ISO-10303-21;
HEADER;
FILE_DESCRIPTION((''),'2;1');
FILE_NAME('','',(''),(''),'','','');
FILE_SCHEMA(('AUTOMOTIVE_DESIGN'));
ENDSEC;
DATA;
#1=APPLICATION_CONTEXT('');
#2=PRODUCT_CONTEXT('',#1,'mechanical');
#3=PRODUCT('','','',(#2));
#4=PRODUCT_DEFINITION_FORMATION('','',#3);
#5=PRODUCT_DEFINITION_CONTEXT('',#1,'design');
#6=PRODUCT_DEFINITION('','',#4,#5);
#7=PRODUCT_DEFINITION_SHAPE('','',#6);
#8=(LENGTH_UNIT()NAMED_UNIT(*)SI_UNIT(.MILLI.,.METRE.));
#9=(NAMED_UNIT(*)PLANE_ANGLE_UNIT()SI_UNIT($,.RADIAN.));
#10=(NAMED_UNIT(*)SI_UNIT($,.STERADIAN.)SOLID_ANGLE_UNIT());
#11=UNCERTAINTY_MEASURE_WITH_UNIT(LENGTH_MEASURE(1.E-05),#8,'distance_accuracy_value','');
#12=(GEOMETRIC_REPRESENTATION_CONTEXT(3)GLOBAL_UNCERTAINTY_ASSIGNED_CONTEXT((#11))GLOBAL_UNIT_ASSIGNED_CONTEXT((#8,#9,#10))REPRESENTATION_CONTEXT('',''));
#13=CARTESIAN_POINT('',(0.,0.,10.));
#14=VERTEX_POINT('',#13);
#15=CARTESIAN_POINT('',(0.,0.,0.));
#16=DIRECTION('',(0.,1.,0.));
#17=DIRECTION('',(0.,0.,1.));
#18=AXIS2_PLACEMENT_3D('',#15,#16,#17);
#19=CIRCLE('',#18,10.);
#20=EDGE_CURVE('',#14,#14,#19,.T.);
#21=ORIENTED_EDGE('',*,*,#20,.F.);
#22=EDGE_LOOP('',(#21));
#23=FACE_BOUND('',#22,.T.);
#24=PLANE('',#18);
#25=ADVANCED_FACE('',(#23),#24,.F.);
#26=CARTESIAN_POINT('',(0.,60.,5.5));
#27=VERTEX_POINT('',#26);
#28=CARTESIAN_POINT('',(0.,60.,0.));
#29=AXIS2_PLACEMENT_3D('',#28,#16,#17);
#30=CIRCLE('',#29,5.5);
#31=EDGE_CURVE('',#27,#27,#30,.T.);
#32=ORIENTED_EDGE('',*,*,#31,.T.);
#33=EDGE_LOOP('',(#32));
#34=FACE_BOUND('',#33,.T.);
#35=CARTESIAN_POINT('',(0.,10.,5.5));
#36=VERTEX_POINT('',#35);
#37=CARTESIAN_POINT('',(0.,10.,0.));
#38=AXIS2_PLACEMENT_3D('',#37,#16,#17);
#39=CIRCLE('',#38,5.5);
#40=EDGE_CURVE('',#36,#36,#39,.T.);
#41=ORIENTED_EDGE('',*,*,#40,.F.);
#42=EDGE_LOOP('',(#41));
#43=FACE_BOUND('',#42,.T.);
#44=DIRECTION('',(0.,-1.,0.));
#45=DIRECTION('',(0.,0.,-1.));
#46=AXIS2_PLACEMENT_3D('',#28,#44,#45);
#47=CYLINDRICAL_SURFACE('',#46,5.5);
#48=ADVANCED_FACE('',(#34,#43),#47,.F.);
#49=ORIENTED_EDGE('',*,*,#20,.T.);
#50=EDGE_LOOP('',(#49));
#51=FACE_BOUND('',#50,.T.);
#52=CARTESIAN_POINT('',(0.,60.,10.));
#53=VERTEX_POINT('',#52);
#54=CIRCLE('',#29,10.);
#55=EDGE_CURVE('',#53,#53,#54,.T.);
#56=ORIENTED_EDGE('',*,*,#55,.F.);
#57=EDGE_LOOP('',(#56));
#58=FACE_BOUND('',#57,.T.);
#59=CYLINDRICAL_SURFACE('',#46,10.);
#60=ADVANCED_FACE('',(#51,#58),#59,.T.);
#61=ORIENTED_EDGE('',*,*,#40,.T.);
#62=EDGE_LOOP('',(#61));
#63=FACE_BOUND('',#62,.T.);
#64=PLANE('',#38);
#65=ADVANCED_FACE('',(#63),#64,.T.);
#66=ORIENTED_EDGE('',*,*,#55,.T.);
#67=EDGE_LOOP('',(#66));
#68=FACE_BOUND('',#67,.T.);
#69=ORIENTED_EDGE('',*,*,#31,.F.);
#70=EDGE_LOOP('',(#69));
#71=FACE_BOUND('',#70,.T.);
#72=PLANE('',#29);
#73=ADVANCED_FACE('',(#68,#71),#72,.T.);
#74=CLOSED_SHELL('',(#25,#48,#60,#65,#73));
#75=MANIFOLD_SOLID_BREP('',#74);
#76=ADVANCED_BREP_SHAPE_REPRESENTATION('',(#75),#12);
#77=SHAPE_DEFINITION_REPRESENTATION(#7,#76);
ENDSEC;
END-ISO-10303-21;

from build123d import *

# Parameters (mm, degrees)
SKETCH1_R           = 10
SKETCH1_R_2         = 5.5
BOSS_EXTRUDE1_DEPTH = 60
SKETCH1_2_R         = 5.5
BOSS_EXTRUDE2_DEPTH = 10


with BuildPart() as part:
    # Sketch1 → Boss-Extrude1 (new body)
    with BuildSketch(Plane(origin=(0, 0, 0), x_dir=(1, 0, 0), z_dir=(0, 1, 0))):
        Circle(SKETCH1_R)
        Circle(SKETCH1_R_2, mode=Mode.SUBTRACT)
    extrude(amount=BOSS_EXTRUDE1_DEPTH)

    # Sketch1<2> → Boss-Extrude2 (add)
    with BuildSketch(Plane(origin=(0, 0, 0), x_dir=(1, 0, 0), z_dir=(0, 1, 0))):
        Circle(SKETCH1_2_R)
    extrude(amount=BOSS_EXTRUDE2_DEPTH)


solid = part.part
